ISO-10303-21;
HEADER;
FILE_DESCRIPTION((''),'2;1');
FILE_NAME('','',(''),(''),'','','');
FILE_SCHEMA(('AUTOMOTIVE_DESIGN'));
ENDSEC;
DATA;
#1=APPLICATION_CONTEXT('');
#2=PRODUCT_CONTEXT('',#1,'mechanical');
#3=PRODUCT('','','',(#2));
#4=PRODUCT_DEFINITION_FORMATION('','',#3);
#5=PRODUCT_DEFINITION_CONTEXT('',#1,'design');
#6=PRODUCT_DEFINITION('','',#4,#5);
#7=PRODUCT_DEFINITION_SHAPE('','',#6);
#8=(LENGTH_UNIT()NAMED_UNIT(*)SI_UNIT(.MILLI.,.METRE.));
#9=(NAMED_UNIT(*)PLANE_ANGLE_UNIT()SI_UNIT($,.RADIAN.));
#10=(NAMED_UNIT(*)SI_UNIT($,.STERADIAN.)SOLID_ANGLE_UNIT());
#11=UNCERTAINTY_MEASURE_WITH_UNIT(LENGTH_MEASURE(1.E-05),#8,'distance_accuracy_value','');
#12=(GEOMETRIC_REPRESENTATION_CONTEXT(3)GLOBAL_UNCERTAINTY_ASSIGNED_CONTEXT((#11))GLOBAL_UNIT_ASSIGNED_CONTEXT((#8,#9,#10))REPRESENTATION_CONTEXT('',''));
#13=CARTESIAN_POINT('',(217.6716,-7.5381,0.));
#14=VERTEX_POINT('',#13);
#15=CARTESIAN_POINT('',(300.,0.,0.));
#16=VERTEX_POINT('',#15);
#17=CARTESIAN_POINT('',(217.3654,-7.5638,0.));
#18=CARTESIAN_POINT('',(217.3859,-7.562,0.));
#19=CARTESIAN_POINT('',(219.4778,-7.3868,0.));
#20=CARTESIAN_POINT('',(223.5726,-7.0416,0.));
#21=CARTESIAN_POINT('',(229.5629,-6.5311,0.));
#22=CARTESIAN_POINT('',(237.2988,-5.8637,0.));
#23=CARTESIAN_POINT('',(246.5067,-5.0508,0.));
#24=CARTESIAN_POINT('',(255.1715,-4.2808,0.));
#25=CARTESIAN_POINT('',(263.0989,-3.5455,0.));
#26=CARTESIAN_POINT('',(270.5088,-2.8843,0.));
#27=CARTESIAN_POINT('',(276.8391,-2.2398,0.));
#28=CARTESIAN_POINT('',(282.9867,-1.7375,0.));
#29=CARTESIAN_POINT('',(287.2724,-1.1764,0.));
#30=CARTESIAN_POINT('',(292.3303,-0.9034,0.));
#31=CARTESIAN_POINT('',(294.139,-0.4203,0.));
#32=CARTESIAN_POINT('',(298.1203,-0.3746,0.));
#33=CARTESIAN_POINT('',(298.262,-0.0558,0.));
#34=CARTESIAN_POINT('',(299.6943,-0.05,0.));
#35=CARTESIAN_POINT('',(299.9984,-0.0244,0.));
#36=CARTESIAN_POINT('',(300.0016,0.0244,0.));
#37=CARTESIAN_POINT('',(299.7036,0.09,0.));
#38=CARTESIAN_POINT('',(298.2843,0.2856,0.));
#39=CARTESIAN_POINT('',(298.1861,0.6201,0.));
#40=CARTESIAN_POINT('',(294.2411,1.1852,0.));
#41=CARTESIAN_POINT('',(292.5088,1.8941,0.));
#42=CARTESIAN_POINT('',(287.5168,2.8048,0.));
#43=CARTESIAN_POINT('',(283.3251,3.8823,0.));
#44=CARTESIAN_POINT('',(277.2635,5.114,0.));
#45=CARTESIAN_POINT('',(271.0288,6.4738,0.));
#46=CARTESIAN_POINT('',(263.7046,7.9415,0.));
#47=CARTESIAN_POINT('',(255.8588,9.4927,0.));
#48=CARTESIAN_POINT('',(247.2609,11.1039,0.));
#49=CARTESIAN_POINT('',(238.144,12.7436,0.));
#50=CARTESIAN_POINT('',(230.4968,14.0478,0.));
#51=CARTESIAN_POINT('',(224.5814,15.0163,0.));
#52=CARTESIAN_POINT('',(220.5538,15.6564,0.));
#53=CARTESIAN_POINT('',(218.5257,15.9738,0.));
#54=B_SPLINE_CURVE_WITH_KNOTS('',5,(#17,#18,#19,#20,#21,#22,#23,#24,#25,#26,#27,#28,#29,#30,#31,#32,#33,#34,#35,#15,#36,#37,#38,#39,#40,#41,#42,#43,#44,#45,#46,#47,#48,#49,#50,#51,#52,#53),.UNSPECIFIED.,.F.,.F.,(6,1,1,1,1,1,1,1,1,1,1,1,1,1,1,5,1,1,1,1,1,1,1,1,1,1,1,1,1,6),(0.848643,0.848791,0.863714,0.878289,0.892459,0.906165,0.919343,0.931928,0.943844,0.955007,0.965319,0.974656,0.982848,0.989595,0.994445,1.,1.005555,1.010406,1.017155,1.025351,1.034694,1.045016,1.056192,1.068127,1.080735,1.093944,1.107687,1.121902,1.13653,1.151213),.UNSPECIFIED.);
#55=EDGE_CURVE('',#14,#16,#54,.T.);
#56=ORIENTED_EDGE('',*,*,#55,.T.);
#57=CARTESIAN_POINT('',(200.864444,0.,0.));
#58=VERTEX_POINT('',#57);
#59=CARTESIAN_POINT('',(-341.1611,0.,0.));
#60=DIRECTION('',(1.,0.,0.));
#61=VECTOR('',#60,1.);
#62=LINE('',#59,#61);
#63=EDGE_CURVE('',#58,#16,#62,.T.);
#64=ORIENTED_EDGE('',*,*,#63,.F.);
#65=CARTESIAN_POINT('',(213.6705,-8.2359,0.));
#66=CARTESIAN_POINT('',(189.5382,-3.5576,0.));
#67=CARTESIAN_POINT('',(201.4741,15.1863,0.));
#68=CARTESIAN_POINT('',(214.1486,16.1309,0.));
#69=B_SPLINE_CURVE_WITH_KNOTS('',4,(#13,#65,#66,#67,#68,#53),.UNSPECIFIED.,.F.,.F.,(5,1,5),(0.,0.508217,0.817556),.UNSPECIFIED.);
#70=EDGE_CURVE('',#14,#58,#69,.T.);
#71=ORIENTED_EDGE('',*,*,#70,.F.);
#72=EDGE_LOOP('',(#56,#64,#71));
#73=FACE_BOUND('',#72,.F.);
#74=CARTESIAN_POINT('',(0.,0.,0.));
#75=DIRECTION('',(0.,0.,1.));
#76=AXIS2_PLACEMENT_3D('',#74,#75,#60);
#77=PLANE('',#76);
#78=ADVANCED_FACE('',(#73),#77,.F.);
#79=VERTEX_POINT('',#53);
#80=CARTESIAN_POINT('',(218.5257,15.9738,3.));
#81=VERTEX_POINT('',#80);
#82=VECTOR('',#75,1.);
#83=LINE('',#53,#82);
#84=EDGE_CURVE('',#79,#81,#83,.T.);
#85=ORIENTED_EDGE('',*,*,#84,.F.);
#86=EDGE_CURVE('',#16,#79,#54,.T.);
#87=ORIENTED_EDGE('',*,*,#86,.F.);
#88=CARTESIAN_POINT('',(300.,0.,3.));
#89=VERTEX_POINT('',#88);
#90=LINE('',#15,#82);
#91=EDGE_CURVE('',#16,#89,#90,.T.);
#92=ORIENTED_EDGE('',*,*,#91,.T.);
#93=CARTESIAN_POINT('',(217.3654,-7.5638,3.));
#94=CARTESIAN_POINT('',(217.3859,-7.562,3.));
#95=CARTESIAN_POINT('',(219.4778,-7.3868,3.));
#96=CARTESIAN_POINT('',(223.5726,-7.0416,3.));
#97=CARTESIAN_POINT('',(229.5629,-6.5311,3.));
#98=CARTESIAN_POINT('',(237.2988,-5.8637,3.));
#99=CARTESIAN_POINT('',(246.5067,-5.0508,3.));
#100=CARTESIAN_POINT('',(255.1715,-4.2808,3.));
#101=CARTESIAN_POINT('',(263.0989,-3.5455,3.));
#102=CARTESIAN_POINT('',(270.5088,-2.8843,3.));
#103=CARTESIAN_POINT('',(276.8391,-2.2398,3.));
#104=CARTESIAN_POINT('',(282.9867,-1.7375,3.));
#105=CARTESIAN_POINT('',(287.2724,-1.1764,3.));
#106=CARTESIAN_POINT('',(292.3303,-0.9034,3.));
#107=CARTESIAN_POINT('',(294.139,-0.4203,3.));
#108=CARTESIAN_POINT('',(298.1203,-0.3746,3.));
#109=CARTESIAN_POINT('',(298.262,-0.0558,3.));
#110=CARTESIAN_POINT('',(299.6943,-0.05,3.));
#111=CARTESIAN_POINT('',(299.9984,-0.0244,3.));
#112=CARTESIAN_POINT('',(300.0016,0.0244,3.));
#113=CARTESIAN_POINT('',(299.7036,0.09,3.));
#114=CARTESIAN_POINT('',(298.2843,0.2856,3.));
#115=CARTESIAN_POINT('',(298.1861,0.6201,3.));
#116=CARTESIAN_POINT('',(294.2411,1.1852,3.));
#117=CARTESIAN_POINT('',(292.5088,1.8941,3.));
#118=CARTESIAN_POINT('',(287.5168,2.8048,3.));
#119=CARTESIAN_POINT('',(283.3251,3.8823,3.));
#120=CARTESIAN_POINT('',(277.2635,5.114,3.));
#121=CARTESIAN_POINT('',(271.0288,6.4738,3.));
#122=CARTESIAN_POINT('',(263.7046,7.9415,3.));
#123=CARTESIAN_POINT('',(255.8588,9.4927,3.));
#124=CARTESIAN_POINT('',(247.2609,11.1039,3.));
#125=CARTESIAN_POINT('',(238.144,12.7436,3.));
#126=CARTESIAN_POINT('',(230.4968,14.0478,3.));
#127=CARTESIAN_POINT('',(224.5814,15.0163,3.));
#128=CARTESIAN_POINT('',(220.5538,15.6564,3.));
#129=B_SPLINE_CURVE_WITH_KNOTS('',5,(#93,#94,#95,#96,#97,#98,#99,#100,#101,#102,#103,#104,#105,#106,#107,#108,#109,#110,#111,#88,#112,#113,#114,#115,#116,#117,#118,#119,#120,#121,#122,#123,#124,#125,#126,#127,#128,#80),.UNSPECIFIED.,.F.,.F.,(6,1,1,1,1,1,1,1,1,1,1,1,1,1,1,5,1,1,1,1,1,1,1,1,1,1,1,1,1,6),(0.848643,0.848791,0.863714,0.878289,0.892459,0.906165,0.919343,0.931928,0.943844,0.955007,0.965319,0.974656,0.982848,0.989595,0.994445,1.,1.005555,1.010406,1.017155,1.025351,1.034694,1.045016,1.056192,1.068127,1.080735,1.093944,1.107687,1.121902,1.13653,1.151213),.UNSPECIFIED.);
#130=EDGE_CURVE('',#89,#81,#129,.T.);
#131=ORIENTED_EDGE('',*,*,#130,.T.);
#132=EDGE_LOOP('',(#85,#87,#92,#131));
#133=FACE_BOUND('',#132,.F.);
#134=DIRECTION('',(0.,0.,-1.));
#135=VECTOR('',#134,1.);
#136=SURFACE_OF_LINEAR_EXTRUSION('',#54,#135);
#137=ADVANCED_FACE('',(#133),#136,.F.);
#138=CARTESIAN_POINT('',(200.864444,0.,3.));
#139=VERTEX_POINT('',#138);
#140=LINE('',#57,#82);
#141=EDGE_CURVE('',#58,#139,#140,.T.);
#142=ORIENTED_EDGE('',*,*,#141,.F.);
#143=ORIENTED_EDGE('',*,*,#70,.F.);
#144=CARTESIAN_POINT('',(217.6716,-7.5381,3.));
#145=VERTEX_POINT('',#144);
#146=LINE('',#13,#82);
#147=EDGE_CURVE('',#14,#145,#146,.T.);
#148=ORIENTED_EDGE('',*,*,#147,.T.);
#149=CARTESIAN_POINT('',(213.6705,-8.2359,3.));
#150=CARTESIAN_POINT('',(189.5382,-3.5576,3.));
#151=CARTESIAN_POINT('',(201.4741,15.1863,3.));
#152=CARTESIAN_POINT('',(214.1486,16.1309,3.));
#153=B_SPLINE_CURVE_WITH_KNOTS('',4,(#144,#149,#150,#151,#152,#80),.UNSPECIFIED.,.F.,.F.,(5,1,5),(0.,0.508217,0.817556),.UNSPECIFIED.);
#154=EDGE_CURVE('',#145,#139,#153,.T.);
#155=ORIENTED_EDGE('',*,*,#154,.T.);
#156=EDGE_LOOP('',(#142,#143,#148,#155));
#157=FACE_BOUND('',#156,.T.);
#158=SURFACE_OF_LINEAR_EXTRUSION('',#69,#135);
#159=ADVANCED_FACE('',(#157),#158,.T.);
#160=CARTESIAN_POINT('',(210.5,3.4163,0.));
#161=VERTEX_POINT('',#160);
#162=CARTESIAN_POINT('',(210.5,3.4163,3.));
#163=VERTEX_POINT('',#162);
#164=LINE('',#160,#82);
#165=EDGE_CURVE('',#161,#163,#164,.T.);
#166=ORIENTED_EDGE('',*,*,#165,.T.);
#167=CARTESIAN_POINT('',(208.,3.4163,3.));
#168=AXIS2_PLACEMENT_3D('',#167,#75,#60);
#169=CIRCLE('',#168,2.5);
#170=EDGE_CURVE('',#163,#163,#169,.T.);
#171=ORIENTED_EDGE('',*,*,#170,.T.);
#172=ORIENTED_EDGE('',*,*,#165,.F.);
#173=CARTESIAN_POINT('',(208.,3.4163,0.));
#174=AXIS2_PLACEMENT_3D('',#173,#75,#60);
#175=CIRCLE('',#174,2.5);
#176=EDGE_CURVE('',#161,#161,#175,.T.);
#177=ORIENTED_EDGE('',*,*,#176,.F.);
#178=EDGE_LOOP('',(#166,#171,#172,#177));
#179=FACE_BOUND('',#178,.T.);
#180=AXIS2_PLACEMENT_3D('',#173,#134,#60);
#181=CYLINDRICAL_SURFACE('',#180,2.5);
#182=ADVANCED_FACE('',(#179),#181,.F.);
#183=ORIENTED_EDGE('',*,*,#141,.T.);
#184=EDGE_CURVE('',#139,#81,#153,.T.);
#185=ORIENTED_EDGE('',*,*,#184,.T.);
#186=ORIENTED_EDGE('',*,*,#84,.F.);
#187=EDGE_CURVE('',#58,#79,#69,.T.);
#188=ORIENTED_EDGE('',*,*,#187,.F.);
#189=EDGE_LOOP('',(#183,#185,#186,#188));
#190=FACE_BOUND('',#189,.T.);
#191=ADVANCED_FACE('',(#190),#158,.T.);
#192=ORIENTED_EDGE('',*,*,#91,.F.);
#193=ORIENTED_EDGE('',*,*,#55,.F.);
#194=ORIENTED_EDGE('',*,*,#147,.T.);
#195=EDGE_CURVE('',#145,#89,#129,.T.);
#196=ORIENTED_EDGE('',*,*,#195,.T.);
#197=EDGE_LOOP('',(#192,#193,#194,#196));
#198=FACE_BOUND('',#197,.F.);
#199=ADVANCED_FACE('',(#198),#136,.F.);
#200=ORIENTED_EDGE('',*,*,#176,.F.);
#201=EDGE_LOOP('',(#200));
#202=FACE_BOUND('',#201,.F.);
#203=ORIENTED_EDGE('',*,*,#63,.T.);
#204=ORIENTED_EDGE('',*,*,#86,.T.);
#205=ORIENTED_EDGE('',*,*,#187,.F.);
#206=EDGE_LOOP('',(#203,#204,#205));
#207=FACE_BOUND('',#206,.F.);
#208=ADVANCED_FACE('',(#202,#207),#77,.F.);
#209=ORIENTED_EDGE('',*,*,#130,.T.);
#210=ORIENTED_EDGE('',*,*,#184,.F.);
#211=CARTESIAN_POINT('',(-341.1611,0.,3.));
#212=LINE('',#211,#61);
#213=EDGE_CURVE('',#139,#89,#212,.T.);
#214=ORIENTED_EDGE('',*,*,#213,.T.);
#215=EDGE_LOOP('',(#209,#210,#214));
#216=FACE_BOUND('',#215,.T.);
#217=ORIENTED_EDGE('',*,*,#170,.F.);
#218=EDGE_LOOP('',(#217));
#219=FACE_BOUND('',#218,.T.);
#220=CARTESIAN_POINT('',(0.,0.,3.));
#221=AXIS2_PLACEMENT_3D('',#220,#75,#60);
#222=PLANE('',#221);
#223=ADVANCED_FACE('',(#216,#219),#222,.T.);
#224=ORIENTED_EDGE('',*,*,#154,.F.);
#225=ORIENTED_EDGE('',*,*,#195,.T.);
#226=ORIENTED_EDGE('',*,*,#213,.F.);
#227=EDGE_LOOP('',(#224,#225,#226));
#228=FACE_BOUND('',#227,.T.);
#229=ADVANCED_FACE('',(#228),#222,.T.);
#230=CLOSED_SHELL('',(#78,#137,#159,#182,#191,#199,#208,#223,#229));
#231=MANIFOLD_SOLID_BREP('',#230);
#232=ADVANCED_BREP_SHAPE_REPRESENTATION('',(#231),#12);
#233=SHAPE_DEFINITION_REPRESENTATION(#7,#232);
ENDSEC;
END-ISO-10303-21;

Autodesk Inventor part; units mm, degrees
ref_plane "YZ Plane" through (0, 0, 0) normal (1, 0, 0) x (0, 1, 0)
ref_plane "XZ Plane" through (0, 0, 0) normal (0, 1, 0) x (-1, 0, 0)
ref_plane "XY Plane" through (0, 0, 0) normal (0, 0, 1) x (1, 0, 0)
sketch "Sketch1" plane through (0, 0, 0) normal (0, 0, 1) x (1, 0, 0)
  spline S0 degree 5 poles (217.3654, -7.5638) (217.3859, -7.562) (219.4778, -7.3868) (223.5726, -7.0416) (229.5629, -6.5311) (237.2988, -5.8637) (246.5067, -5.0508) (255.1715, -4.2808) (263.0989, -3.5455) (270.5088, -2.8843) (276.8391, -2.2398) (282.9867, -1.7375) (287.2724, -1.1764) (292.3303, -0.9034) (294.139, -0.4203) (298.1203, -0.3746) (298.262, -0.0558) (299.6943, -0.05) (299.9984, -0.0244) (300, 0) (300.0016, 0.0244) (299.7036, 0.09) (298.2843, 0.2856) (298.1861, 0.6201) (294.2411, 1.1852) (292.5088, 1.8941) (287.5168, 2.8048) (283.3251, 3.8823) (277.2635, 5.114) (271.0288, 6.4738) (263.7046, 7.9415) (255.8588, 9.4927) (247.2609, 11.1039) (238.144, 12.7436) (230.4968, 14.0478) (224.5814, 15.0163) (220.5538, 15.6564) (218.5257, 15.9738) knots 0.848643 0.848643 0.848643 0.848643 0.848643 0.848643 0.848791 0.863714 0.878289 0.892459 0.906165 0.919343 0.931928 0.943844 0.955007 0.965319 0.974656 0.982848 0.989595 0.994445 1 1 1 1 1 1.005555 1.010406 1.017155 1.025351 1.034694 1.045016 1.056192 1.068127 1.080735 1.093944 1.107687 1.121902 1.13653 1.151213 1.151213 1.151213 1.151213 1.151213 1.151213
  line L0 (200, 103) -> (200, -97) construction
  line L1 (300, -103) -> (300, 103) construction
  line L2 (200, 3.7134) -> (300, 0) construction
  circle A0 centre (225, 2.7851) radius 2.5 construction
  line L3 (205.8741, -8.5266) -> (228.8566, -6.6009) construction
  arc A1 (208.1717, -8.3262) -> (226.5577, -6.7856) centre (-233.8691, 5377.8161) ccw construction
  line L4 (230.0222, 14.1744) -> (207.0292, 17.7732) construction
  arc A2 (227.7165, 14.4952) -> (209.3227, 17.3741) centre (49.5564, -1063.5951) ccw construction
  spline S1 degree 4 poles (217.6716, -7.5381) (213.6705, -8.2359) (189.5382, -3.5576) (201.4741, 15.1863) (214.1486, 16.1309) (218.5257, 15.9738) knots 0 0 0 0 0 0.508217 0.817556 0.817556 0.817556 0.817556 0.817556
  line L5 (212.7843, 16.1798) -> (224.2671, 15.7678) construction
  arc A3 (223.0904, 15.5928) -> (213.9454, 15.921) centre (216.7921, -32.3331) ccw construction
  circle A4 centre (208, 3.4163) radius 2.5
  line L6 (-341.1611, 0) -> (409.8826, 0) projected
  point P0 (299.5428, 0.1089)
  point P1 (298.1739, 0.4338)
  point P2 (295.9008, 0.9681)
  point P3 (292.7367, 1.7025)
  point P4 (288.6996, 2.6229)
  point P5 (283.8129, 3.7134)
  point P6 (278.1048, 4.9545)
  point P7 (271.6086, 6.3255)
  point P8 (264.3621, 7.8039)
  point P9 (256.4085, 9.3663)
  point P10 (247.7946, 10.9887)
  point P11 (238.572, 12.6468)
  point P12 (228.7959, 14.3166)
  point P13 (207.8235, 17.5944)
  point P14 (237.7638, -5.8185)
  point P15 (247.0398, -5.0019)
  point P16 (255.7236, -4.2234)
  point P17 (263.7597, -3.4905)
  point P18 (271.0965, -2.8098)
  point P19 (277.6872, -2.1882)
  point P20 (283.4889, -1.6323)
  point P21 (288.4641, -1.1487)
  point P22 (292.5804, -0.7434)
  point P23 (295.8102, -0.4221)
  point P24 (298.1328, -0.1887)
  point P25 (299.5323, -0.0474)
  point P26 (217.3654, -7.5638)
  point P27 (206.2647, 13.1249)
  point P28 (218.5257, 15.9738)
  dimension "d17" = 100
  dimension "d22" = 5
  dimension "d23" = 75
  dimension "d27" = 5
  dimension "d30" = 92
  dimension "d31" = 3.4163
extrude "Extrusion2" add sketch "Sketch1" along normal blind 3
sketch "Sketch8" plane through (0, 0, 3) normal (0, 0, 1) x (1, 0, 0)
  circle A0 centre (208, 3.4163) radius 2.5 projected
  point P0 (0, 0)
  point P1 (217.6716, -7.5381)
  point P2 (218.5257, 15.9738)
properties part number "5mm end rib aileron" material "Plywood, Finish"
